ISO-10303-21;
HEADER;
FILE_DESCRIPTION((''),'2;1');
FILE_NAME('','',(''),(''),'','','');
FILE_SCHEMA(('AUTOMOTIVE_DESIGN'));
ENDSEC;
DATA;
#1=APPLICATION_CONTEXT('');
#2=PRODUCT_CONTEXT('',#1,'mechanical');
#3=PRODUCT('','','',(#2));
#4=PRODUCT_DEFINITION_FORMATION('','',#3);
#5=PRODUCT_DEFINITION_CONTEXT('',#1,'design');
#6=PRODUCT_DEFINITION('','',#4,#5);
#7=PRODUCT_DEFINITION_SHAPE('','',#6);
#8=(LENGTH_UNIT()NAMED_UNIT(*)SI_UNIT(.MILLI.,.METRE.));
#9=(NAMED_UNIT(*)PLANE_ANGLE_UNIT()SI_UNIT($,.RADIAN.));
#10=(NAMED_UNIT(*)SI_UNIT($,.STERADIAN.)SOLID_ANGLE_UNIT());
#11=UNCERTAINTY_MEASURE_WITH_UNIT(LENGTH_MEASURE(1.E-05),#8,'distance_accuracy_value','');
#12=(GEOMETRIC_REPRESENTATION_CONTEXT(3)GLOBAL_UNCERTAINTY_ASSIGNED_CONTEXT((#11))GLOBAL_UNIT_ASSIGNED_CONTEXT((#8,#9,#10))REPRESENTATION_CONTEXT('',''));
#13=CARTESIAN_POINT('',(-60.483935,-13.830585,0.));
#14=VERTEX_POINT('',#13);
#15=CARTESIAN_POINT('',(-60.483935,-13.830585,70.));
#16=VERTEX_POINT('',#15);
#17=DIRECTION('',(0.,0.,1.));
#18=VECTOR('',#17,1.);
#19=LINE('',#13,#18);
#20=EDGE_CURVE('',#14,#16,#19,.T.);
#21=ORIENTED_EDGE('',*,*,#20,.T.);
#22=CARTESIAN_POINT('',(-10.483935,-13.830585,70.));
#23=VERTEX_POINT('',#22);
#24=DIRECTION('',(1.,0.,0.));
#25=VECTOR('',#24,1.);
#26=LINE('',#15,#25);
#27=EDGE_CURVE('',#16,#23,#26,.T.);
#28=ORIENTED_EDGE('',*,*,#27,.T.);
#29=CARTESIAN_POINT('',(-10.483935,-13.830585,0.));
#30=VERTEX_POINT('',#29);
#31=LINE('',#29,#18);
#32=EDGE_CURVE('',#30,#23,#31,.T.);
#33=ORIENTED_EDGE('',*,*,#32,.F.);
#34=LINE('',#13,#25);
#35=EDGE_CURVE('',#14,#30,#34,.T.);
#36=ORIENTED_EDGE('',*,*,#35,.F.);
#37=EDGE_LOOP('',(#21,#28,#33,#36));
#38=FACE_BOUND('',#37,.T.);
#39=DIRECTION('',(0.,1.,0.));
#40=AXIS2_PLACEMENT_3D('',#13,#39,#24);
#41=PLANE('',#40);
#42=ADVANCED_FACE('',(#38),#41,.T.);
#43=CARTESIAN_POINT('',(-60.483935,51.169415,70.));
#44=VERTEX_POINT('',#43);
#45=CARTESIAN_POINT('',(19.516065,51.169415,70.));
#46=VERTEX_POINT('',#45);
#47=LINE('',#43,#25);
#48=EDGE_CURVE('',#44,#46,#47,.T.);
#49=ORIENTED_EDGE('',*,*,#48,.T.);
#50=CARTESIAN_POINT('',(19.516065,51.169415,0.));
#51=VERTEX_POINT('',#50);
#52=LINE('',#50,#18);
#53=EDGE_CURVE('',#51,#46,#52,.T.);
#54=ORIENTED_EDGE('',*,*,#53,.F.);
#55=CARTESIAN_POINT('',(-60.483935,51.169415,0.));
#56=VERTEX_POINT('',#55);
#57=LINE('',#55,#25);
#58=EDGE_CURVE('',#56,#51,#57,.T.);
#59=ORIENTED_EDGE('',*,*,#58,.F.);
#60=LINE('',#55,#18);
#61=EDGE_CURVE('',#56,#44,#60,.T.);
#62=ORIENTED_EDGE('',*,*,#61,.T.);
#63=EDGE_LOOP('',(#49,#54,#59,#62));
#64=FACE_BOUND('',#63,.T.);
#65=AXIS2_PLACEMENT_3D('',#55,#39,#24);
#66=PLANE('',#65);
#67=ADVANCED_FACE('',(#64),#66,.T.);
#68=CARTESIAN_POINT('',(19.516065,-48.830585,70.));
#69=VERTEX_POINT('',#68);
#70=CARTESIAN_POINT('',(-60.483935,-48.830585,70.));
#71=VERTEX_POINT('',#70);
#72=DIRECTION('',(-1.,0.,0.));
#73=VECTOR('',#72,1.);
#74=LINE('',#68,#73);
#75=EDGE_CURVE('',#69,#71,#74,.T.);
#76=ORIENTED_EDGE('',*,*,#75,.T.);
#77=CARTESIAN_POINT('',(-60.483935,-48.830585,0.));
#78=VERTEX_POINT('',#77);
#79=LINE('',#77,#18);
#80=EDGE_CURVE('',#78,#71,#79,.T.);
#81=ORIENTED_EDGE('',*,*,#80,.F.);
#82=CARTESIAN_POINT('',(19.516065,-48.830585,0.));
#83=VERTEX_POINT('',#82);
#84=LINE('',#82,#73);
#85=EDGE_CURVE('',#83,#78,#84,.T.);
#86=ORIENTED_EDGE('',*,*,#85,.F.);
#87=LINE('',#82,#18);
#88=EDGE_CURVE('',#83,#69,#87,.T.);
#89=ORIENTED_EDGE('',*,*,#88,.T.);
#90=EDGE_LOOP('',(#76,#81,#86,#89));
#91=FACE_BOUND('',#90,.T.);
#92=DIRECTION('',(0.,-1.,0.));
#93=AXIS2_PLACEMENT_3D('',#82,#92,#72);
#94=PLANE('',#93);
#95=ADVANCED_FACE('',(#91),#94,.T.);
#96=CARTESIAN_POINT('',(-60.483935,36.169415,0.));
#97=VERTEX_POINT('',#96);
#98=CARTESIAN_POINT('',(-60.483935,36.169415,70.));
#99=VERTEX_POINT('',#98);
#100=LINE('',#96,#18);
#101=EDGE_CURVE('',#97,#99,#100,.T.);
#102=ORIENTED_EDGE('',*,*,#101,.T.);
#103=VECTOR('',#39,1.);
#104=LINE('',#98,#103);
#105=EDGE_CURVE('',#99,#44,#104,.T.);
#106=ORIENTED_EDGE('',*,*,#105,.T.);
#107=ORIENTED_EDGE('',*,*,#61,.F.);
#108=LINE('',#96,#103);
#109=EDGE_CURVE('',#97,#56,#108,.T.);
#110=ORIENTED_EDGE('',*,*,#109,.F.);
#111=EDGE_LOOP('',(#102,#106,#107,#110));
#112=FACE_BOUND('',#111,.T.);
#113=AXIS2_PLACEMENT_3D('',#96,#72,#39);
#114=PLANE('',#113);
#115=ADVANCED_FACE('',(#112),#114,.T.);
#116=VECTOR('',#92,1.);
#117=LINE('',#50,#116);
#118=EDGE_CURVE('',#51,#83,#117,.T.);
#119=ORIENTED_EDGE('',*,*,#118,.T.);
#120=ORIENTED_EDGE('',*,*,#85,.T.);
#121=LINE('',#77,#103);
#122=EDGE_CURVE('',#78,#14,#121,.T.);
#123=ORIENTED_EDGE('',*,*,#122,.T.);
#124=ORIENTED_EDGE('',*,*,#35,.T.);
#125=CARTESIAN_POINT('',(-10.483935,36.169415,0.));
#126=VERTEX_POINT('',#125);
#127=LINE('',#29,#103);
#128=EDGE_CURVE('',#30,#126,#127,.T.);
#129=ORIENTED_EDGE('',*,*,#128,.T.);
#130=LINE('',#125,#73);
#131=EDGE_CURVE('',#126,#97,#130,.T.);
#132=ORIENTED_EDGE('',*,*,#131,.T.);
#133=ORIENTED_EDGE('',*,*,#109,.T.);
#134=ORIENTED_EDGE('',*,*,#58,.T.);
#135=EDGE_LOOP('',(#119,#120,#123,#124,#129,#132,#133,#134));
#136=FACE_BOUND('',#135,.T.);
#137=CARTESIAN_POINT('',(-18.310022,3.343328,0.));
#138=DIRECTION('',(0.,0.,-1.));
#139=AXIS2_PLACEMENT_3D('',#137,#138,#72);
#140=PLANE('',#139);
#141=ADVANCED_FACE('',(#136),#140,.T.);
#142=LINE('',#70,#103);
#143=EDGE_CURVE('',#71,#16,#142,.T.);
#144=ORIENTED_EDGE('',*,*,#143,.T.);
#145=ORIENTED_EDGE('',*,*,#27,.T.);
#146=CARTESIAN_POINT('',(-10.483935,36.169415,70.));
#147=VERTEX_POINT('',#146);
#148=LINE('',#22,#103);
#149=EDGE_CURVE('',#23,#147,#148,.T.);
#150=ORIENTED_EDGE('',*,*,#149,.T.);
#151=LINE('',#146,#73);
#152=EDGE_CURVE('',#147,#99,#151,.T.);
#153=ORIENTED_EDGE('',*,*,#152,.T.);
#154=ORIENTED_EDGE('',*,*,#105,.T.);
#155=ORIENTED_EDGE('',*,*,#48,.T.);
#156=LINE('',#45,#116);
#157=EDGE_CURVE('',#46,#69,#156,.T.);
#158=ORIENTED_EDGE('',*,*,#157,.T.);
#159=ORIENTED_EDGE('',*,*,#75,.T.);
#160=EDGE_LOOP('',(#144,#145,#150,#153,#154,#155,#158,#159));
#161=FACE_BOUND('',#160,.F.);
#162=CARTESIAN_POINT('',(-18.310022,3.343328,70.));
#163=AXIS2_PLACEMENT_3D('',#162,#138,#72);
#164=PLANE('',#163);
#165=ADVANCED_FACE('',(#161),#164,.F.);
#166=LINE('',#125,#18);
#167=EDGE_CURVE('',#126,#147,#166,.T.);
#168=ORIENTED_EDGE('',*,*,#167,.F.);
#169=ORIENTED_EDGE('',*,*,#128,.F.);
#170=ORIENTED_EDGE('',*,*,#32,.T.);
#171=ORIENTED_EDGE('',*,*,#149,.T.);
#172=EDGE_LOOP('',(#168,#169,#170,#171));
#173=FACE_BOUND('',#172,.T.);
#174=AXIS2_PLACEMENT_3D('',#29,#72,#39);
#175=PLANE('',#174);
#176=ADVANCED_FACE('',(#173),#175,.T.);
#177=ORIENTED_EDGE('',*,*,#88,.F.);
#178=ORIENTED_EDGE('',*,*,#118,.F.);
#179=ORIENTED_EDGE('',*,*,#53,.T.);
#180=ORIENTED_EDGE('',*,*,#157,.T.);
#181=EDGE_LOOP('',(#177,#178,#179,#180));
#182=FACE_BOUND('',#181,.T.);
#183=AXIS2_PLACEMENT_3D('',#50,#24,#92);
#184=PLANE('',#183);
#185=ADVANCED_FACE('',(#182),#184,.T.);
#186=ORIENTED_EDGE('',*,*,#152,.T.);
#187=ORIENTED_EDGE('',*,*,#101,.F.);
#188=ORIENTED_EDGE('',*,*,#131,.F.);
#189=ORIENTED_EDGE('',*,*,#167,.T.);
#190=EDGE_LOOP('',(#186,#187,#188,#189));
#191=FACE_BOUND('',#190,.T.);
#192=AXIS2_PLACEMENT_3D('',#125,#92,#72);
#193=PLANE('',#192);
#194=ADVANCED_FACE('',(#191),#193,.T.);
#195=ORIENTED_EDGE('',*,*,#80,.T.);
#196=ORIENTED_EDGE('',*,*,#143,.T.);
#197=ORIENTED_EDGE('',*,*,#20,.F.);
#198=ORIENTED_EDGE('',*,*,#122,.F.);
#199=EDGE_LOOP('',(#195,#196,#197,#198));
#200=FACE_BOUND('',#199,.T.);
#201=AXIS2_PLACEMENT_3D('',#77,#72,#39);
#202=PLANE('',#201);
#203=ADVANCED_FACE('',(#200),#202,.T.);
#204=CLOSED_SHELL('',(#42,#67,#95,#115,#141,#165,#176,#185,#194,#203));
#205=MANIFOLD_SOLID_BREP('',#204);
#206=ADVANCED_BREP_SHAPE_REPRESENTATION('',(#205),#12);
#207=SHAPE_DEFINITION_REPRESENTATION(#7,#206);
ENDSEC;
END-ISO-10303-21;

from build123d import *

# Parameters (mm, degrees)
PAD_DEPTH = 70


with BuildPart() as part:
    # Sketch → Pad (new body)
    with BuildSketch(Plane.XY):
        Polygon((-60.483935, 51.169415), (19.516065, 51.169415), (19.516065, -48.830585), (-60.483935, -48.830585), (-60.483935, -13.830585), (-10.483935, -13.830585), (-10.483935, 36.169415), (-60.483935, 36.169415), align=None)
    extrude(amount=PAD_DEPTH)


solid = part.part
